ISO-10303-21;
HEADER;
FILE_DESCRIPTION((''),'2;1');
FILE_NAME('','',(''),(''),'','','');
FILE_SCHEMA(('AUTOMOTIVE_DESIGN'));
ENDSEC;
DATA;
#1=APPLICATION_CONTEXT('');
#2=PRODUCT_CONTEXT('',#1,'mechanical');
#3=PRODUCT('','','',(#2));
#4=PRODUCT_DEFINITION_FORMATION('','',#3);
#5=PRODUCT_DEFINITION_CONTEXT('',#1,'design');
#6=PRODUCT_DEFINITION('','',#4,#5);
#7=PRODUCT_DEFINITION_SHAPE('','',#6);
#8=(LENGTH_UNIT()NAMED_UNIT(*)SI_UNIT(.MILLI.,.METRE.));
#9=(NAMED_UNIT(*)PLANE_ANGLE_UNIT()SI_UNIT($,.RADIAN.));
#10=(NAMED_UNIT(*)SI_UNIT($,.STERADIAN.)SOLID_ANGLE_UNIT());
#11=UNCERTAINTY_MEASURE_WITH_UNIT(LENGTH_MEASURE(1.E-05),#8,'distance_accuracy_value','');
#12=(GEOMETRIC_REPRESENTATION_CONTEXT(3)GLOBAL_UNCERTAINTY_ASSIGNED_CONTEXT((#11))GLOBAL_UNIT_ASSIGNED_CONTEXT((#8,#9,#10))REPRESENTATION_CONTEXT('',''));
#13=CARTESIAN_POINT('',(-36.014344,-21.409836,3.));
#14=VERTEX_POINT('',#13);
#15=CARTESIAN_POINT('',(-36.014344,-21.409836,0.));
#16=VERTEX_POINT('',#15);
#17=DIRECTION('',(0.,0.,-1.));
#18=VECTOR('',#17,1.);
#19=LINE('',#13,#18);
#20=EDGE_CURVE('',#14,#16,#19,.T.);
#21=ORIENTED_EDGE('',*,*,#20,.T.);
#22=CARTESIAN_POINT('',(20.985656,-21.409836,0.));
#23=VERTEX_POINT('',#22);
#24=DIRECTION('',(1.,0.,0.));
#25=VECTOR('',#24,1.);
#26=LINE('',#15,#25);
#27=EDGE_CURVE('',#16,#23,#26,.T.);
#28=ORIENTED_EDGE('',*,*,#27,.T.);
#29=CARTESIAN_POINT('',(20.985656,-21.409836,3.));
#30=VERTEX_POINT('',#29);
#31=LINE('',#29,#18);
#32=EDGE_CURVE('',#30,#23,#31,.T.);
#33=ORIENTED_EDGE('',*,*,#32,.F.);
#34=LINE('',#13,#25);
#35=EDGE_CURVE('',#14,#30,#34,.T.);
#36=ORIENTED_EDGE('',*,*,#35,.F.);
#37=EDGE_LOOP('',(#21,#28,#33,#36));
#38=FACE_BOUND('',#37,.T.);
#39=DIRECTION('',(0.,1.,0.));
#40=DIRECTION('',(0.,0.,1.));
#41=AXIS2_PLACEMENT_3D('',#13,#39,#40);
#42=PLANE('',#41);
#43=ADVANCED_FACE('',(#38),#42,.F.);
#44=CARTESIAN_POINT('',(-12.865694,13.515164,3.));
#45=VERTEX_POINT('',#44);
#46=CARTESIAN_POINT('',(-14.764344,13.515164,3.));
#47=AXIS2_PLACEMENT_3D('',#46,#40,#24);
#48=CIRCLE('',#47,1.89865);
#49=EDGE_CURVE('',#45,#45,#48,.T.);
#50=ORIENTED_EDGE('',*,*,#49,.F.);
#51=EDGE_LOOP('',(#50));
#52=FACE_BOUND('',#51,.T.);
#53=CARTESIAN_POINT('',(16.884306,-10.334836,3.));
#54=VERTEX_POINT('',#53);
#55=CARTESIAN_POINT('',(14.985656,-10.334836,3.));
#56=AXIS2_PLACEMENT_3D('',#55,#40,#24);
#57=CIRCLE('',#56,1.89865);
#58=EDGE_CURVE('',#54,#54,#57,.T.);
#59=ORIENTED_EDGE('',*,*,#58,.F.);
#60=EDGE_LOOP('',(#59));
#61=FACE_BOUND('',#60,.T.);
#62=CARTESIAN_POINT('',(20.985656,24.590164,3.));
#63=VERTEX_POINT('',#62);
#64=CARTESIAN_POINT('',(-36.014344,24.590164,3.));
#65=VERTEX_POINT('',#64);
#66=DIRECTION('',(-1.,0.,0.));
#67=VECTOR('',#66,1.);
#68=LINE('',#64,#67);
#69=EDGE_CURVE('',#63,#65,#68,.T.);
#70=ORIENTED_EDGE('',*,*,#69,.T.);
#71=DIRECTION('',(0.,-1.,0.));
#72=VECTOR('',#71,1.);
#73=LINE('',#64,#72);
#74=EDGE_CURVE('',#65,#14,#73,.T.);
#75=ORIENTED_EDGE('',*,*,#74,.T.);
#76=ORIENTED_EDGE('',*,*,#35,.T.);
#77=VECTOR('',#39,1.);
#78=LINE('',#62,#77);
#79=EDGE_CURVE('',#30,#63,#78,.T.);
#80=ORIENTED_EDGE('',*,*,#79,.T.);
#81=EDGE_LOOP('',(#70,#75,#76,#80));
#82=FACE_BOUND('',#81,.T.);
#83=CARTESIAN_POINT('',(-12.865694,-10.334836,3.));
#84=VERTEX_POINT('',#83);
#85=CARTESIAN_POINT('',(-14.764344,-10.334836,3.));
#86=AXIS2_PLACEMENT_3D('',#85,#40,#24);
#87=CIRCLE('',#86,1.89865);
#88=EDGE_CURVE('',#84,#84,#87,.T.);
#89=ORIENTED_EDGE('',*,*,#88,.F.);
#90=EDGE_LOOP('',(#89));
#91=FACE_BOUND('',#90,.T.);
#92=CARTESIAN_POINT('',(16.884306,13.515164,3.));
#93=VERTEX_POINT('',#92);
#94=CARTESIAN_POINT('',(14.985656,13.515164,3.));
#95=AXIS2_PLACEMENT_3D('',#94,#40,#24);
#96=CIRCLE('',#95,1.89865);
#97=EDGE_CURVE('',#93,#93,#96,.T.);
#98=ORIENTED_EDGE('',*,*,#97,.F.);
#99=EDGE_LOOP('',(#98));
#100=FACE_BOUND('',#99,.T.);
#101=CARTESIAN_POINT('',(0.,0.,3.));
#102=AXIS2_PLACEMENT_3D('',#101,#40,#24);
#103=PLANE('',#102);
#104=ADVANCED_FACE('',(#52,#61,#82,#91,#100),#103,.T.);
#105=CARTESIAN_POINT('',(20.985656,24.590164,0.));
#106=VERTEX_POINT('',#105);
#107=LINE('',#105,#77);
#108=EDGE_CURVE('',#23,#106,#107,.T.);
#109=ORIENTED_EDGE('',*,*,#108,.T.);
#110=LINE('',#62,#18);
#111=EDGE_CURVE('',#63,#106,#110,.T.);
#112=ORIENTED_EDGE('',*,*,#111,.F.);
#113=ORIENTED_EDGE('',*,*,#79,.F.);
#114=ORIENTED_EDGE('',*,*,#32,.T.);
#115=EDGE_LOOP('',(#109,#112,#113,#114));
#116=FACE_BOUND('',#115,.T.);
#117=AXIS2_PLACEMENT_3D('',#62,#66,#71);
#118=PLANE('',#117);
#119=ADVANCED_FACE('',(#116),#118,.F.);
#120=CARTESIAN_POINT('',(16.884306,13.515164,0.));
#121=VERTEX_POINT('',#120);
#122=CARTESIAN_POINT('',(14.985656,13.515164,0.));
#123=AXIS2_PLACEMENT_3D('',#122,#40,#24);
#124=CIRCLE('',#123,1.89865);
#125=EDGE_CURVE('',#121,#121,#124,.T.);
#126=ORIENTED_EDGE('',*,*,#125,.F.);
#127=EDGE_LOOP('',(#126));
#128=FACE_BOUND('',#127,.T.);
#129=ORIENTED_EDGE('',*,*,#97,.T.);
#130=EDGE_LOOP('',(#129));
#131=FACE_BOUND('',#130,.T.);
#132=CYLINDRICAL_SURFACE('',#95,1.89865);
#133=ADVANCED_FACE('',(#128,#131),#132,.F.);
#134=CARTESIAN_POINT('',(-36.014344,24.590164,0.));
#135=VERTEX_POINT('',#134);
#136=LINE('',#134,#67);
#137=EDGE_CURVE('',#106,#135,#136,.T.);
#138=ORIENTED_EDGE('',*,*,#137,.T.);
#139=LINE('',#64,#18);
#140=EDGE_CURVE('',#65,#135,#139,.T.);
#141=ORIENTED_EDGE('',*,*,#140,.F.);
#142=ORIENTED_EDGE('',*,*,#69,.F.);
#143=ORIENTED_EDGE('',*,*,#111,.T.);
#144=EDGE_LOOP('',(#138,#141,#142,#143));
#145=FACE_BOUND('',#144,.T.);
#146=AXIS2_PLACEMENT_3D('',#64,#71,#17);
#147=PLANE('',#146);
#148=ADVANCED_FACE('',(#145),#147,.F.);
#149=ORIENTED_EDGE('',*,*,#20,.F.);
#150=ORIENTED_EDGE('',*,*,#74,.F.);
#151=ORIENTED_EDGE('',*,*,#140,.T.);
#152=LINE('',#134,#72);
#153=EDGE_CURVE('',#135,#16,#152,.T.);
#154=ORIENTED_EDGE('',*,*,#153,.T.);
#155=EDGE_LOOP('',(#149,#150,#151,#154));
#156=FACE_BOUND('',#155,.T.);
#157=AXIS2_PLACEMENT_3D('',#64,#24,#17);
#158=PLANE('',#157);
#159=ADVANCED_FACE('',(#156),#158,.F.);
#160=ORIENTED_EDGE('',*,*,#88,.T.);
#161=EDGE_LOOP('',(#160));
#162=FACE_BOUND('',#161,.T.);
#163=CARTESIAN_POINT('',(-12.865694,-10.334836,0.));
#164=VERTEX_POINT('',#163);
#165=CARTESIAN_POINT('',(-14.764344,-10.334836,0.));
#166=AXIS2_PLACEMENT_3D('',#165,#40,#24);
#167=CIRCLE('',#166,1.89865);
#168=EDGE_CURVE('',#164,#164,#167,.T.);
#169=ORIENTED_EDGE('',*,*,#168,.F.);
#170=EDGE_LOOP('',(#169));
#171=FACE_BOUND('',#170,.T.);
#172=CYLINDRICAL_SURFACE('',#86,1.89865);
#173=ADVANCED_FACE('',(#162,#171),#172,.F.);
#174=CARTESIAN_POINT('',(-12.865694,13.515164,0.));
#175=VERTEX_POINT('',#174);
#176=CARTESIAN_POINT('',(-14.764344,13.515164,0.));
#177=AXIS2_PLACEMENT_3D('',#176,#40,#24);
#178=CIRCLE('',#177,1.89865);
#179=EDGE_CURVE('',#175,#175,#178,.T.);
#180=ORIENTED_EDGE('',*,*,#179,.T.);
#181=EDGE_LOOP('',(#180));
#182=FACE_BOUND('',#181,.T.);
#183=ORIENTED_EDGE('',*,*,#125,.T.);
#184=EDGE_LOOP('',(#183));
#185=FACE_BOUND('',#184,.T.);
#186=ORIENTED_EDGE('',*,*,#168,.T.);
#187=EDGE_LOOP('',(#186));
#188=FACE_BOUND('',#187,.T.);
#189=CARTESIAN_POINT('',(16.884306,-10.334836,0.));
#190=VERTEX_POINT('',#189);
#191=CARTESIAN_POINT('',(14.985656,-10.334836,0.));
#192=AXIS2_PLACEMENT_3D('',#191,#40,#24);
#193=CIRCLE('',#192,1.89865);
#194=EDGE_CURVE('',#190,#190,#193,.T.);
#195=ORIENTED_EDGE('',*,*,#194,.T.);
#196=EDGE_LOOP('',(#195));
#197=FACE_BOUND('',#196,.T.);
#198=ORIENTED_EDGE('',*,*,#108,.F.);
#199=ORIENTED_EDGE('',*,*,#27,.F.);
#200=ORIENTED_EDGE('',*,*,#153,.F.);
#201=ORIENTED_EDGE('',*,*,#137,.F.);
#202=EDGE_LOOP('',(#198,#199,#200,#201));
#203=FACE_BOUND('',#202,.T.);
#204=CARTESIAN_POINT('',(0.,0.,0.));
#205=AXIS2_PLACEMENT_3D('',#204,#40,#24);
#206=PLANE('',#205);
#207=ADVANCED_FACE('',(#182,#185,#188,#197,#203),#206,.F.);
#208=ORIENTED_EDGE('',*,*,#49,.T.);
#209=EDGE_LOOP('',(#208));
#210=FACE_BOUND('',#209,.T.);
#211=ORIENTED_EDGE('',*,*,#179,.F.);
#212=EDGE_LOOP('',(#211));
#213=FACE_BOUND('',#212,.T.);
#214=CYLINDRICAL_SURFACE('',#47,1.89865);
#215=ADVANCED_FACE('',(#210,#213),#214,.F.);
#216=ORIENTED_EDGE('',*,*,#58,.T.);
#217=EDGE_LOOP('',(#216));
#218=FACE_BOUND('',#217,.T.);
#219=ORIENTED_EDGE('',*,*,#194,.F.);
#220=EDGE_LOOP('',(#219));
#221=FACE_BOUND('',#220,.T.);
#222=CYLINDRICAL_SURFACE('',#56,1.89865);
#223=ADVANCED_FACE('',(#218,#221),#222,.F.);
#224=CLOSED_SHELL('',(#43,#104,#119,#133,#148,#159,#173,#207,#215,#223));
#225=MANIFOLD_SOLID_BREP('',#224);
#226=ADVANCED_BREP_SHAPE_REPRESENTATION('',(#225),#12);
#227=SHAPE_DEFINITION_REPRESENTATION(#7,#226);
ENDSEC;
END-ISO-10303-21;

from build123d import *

# Parameters (mm, degrees)
SKETCH1_W             = 57
SKETCH1_H             = 46
BOSS_EXTRUDE1_DEPTH   = 3
F_6_CLEARANCE_HOLE1_D = 3.7973


with BuildPart() as part:
    # Sketch1 → Boss-Extrude1 (new body)
    with BuildSketch(Plane.XY):
        with Locations((-7.514344262, 1.590163934)):
            Rectangle(SKETCH1_W, SKETCH1_H)
    extrude(amount=BOSS_EXTRUDE1_DEPTH)

    # #6 Clearance Hole1 (through all)
    with Locations(Plane.XY.offset(3)):
        with Locations((14.985655738, 13.515163934), (14.985655738, -10.334836066), (-14.764344262, -10.334836066), (-14.764344262, 13.515163934)):
            Hole(F_6_CLEARANCE_HOLE1_D / 2)


solid = part.part
